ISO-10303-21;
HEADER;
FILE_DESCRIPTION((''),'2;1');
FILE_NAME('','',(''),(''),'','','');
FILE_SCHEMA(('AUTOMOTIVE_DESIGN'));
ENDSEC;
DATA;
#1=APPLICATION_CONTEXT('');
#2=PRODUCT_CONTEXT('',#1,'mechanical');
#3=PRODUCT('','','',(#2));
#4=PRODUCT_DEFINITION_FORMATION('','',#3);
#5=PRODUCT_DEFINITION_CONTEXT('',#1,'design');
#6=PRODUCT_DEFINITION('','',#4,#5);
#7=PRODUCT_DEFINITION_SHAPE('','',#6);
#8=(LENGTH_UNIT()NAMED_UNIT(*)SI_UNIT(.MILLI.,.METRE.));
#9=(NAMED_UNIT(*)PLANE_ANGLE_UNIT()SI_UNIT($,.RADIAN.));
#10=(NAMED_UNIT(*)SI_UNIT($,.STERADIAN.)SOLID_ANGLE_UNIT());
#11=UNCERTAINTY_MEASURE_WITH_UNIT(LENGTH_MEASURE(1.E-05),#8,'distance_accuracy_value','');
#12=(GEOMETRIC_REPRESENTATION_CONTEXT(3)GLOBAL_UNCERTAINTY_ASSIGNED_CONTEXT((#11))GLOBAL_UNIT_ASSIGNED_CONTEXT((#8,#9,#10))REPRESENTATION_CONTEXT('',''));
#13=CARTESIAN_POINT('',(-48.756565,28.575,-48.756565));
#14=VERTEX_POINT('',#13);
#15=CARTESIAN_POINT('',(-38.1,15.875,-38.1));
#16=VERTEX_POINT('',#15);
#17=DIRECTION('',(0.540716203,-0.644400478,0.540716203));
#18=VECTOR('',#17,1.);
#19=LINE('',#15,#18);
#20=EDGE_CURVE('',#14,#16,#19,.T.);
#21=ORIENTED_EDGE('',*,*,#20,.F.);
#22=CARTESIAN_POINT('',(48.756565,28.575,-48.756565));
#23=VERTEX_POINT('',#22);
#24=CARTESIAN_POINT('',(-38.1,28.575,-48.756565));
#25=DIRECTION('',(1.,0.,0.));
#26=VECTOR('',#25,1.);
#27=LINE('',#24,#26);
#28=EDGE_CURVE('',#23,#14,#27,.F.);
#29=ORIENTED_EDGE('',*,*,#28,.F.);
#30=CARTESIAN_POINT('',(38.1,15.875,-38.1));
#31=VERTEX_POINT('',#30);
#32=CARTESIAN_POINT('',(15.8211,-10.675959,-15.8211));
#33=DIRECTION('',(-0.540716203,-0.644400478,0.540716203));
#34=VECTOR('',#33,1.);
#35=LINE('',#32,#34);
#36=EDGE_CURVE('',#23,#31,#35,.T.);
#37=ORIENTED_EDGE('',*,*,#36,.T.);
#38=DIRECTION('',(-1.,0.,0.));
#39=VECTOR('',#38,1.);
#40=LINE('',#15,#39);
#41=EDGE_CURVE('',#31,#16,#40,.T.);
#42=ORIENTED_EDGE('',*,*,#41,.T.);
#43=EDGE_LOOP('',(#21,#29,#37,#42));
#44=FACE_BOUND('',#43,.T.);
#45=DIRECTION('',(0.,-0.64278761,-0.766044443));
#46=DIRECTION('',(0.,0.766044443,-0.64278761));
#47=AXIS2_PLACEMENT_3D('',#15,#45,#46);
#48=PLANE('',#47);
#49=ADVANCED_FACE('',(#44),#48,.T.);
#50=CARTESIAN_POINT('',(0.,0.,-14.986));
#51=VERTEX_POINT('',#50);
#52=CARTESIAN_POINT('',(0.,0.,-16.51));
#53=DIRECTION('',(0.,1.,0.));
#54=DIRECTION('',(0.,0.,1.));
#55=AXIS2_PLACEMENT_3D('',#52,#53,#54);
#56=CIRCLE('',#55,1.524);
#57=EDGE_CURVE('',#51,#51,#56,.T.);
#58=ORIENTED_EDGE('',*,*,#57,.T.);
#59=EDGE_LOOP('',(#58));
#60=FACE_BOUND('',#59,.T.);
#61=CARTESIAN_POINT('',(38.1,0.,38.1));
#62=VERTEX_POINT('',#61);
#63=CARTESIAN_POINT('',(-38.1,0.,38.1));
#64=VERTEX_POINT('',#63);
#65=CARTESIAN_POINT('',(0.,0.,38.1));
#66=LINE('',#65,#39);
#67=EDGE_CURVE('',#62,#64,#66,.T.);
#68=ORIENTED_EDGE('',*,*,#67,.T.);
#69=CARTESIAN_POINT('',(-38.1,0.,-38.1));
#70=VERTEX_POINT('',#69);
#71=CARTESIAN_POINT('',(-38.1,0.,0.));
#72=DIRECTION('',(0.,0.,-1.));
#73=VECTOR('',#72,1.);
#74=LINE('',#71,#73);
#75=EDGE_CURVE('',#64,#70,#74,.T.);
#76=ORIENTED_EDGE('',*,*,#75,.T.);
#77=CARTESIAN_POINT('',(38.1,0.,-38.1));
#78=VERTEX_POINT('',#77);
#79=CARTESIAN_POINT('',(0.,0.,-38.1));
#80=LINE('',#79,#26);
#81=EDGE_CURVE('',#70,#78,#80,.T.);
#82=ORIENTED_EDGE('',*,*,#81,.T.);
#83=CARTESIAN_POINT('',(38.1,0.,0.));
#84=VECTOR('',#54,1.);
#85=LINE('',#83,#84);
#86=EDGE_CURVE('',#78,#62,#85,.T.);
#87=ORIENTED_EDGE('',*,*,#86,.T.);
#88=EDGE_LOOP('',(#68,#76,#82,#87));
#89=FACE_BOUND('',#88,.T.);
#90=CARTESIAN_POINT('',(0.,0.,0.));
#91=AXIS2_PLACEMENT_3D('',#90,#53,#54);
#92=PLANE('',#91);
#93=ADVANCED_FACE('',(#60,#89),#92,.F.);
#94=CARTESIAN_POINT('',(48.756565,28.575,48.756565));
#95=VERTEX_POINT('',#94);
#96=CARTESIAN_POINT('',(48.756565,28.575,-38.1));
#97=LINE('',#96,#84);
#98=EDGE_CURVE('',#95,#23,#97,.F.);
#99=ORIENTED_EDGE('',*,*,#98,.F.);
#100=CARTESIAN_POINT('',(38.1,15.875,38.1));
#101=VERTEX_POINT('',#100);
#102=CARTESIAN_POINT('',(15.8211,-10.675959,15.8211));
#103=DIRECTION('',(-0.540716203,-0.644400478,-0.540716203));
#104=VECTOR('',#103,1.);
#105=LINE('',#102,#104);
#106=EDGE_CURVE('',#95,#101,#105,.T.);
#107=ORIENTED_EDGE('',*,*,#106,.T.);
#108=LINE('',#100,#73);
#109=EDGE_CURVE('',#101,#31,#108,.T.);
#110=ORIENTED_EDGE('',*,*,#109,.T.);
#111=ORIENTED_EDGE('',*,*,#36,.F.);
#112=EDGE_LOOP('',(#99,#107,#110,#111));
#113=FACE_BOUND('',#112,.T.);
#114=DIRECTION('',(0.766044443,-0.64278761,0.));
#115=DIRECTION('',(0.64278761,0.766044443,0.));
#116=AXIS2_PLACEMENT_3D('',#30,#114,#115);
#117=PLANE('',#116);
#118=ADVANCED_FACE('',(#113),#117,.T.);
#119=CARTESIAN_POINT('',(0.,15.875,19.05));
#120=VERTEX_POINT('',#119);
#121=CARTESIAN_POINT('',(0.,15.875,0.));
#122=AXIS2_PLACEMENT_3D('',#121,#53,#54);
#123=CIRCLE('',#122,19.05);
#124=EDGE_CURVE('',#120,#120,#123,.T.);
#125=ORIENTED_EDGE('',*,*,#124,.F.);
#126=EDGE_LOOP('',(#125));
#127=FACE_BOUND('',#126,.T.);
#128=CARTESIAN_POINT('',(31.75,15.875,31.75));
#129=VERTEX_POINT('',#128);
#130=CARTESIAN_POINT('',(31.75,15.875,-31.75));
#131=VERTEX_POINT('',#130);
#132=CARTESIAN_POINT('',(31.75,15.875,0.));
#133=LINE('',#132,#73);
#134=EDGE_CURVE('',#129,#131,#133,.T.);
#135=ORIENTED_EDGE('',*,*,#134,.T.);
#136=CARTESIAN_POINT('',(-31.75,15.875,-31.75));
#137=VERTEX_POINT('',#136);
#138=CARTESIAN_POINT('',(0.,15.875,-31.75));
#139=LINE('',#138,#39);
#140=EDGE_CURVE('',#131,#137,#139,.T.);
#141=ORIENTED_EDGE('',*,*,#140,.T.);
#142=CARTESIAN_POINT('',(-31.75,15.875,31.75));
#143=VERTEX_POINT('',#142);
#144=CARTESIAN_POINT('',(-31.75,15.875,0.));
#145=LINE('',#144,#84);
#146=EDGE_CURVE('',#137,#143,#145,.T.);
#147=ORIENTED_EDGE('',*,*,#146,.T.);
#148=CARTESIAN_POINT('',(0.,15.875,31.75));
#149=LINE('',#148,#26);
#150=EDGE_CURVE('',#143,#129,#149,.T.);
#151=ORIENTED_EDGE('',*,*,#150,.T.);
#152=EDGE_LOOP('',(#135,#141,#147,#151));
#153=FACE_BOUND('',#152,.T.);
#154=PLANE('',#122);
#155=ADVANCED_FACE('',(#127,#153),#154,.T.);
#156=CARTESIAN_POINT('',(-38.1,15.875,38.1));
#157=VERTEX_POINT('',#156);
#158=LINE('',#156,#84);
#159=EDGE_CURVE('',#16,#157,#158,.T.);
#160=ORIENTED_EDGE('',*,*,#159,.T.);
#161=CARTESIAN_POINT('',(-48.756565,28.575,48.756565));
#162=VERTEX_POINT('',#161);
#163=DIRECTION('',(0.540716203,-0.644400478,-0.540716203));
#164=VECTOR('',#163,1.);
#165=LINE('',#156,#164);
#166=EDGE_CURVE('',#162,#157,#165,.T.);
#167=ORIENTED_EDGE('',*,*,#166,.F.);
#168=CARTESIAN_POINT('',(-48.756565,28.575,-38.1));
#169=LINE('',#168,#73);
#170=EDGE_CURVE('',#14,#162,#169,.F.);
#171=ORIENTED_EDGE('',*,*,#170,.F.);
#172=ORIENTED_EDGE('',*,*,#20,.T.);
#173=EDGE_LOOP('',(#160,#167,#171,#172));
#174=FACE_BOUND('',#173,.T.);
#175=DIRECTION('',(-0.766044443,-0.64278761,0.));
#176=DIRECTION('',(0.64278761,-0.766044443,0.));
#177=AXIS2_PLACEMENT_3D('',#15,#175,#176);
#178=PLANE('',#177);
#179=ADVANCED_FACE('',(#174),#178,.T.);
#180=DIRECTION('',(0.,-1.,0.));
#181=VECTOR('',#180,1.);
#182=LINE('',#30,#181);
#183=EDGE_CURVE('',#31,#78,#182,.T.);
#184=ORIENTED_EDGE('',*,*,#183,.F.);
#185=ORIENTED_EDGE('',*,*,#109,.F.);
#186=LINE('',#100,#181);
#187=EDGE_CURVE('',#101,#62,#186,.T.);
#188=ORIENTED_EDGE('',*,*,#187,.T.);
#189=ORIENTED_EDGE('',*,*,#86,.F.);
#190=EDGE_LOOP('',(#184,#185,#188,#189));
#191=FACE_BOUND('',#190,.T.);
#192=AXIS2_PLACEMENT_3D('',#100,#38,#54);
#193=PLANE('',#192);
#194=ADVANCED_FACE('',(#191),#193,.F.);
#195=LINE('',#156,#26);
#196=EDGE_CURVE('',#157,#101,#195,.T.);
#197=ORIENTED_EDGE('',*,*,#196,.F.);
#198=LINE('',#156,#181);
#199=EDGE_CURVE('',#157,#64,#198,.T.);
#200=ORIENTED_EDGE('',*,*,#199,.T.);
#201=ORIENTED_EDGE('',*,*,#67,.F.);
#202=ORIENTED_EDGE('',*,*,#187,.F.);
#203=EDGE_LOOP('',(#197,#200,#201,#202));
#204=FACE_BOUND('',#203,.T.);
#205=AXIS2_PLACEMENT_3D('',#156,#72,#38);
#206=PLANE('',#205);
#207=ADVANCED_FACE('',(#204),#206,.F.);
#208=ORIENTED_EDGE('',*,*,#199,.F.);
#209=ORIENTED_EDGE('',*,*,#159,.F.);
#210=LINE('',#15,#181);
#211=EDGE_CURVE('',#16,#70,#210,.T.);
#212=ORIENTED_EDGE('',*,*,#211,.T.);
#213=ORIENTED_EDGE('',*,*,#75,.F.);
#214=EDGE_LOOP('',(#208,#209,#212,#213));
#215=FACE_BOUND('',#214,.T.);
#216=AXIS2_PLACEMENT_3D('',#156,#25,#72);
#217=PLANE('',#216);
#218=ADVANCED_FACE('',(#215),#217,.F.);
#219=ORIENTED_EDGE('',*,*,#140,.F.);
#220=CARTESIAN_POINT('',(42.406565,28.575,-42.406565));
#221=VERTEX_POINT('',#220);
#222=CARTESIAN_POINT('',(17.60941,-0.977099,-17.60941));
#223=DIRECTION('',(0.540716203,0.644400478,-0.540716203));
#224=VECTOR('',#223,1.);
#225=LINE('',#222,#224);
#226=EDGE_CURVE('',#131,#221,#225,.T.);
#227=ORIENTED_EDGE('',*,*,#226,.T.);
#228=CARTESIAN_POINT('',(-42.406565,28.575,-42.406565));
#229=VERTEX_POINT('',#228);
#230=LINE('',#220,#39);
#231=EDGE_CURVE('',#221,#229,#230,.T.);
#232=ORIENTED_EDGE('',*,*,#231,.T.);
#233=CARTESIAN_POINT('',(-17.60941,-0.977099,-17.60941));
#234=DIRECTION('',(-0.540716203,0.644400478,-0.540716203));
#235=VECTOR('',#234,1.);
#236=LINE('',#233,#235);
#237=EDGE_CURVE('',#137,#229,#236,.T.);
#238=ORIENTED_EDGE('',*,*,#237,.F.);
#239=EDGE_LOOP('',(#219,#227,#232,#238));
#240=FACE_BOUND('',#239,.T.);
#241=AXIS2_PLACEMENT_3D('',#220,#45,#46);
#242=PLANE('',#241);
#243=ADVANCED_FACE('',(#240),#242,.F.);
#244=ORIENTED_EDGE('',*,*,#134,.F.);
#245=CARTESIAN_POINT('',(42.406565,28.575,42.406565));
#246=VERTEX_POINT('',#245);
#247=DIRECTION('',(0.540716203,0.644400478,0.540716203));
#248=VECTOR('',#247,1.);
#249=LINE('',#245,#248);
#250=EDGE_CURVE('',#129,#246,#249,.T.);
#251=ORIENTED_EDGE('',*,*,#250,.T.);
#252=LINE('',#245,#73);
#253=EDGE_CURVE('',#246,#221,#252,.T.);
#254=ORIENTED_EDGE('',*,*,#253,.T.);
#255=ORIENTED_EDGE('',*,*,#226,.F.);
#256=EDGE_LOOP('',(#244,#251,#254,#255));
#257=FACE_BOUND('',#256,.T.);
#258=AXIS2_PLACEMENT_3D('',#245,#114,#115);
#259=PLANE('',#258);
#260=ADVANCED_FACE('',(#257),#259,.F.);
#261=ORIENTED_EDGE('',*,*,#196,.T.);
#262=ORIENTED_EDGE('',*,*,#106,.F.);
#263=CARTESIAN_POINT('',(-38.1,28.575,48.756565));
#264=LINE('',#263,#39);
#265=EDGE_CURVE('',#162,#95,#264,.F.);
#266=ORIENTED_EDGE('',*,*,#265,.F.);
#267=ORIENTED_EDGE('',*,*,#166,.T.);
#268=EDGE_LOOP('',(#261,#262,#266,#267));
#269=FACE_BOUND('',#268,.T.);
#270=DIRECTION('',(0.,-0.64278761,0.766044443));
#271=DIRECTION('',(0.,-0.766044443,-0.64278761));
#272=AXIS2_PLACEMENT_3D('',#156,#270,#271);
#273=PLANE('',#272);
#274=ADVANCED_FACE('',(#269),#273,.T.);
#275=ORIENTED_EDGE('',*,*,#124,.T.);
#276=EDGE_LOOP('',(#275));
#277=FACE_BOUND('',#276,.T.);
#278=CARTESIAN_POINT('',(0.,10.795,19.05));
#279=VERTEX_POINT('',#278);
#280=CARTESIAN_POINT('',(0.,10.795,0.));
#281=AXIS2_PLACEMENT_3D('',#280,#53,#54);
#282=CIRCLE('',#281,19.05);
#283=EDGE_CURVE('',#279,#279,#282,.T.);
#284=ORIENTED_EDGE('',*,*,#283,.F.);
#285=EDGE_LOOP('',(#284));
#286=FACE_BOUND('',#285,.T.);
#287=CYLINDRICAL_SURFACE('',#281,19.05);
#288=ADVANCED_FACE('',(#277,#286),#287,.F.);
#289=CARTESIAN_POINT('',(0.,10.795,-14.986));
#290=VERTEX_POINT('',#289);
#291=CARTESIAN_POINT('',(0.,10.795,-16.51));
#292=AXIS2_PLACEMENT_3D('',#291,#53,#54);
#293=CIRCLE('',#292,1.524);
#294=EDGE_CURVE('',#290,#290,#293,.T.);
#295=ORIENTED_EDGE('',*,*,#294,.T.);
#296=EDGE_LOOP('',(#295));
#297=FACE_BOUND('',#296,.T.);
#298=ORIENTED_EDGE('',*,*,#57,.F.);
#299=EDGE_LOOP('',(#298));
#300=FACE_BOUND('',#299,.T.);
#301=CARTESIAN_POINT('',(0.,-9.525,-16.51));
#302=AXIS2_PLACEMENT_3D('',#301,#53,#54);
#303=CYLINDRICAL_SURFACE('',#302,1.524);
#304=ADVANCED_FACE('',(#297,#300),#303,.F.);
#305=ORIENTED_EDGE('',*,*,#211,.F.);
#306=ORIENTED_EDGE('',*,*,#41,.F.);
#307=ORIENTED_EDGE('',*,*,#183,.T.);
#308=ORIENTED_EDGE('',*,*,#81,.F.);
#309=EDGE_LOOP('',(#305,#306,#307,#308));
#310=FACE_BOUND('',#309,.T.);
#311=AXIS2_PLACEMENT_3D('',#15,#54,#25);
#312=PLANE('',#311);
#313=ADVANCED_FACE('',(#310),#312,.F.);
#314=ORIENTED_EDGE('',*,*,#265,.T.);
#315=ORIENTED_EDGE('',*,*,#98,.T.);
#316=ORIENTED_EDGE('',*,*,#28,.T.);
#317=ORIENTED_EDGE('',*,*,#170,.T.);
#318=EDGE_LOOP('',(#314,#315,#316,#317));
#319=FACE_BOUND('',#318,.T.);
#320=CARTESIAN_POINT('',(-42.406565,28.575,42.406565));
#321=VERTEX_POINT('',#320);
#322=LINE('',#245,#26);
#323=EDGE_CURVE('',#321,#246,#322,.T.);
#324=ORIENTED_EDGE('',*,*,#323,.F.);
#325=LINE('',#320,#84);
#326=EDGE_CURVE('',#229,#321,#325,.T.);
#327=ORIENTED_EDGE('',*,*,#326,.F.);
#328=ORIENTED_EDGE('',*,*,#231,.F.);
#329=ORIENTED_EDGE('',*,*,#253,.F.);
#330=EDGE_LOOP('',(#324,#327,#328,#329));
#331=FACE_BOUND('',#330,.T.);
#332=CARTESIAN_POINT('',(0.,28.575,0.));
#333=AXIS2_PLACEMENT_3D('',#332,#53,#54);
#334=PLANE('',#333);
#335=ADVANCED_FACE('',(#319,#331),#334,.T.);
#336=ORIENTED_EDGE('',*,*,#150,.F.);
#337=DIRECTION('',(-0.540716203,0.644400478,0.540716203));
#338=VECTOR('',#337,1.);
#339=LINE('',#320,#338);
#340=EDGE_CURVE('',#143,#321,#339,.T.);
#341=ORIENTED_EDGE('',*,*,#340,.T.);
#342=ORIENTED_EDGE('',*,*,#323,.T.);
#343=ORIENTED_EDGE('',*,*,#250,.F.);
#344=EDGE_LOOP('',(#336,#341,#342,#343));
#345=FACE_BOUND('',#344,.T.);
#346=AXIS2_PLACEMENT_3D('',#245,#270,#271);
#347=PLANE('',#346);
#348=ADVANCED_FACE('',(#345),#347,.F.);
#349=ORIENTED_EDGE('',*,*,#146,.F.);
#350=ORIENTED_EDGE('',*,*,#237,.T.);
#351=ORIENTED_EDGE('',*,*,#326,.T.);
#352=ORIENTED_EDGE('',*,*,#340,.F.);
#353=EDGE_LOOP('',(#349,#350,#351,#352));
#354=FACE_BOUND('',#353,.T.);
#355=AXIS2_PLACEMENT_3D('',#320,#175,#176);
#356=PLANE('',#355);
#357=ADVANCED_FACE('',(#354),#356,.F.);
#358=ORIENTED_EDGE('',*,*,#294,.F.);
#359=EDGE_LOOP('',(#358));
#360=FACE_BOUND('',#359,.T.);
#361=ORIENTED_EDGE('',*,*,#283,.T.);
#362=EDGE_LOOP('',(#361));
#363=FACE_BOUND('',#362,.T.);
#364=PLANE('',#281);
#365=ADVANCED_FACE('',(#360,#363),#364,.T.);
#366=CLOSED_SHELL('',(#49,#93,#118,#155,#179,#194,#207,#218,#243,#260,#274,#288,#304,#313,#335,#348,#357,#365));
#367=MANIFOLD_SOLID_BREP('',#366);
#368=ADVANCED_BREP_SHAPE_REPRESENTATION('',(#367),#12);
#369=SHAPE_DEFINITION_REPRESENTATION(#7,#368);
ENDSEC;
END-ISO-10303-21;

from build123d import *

# Parameters (mm, degrees)
SKETCH1_W               = 76.2
SKETCH1_H               = 76.2
BOSS_EXTRUDE1_DEPTH     = 15.875
SKETCH2_W               = 76.2
SKETCH2_H               = 76.2
BOSS_EXTRUDE2_DEPTH     = 12.7
BOSS_EXTRUDE2_DRAFT     = -40
MIRROR1_COPY_1_SKETCH_W = 76.2
MIRROR1_COPY_1_SKETCH_H = 76.2
MIRROR1_COPY_1_DEPTH    = 12.7
MIRROR1_COPY_1_DRAFT    = -40
SKETCH4_W               = 84.813130632
SKETCH4_H               = 84.813130632
CUT_EXTRUDE2_DEPTH      = 12.7
CUT_EXTRUDE2_DRAFT      = -40
SKETCH5_R               = 19.05
CUT_EXTRUDE3_DEPTH      = 5.08
SKETCH6_R               = 1.524
CUT_EXTRUDE4_DEPTH      = 20.32
CUT_EXTRUDE5_REACH      = 76.639
SKETCH8_W               = 110.353971767
SKETCH8_H               = 106.914185114


with BuildPart() as part:
    # Sketch1 → Boss-Extrude1 (new, symmetric)
    with BuildSketch(Plane(origin=(0, 0, 0), x_dir=(1, 0, 0), z_dir=(0, 1, 0))):
        Rectangle(SKETCH1_W, SKETCH1_H)
    extrude(amount=BOSS_EXTRUDE1_DEPTH, both=True)


with BuildPart() as boss_extrude2_tool:
    # Sketch2 → Boss-Extrude2 (with draft: the straight prism first)
    with BuildSketch(Plane(origin=(0, 15.875, 0), x_dir=(1, 0, 0), z_dir=(0, 1, 0))):
        Rectangle(SKETCH2_W, SKETCH2_H)
    extrude(amount=BOSS_EXTRUDE2_DEPTH)
    # Boss-Extrude2: the draft: its side faces are tilted about the plane it starts from
    boss_extrude2_sides = [boss_extrude2_tool.faces().sort_by_distance(p)[0] for p in [
        (-38.1, 22.225, 0),
        (0, 22.225, 38.1),
        (38.1, 22.225, 0),
        (0, 22.225, -38.1),
    ]]
    draft(boss_extrude2_sides, Plane(origin=(0, 15.875, 0), x_dir=(1, 0, 0), z_dir=(0, 1, 0)), BOSS_EXTRUDE2_DRAFT)


with BuildPart() as part_1:
    add(part.part)

    # Boss-Extrude2: add boss_extrude2_tool
    add(boss_extrude2_tool.part)


with BuildPart() as mirror1_copy_1_tool:
    # Mirror1 copy 1 sketch → Mirror1 copy 1 (with draft: the straight prism first)
    with BuildSketch(Plane.XZ.offset(15.875)):
        Rectangle(MIRROR1_COPY_1_SKETCH_W, MIRROR1_COPY_1_SKETCH_H)
    extrude(amount=MIRROR1_COPY_1_DEPTH)
    # Mirror1 copy 1: the draft: its side faces are tilted about the plane it starts from
    mirror1_copy_1_sides = [mirror1_copy_1_tool.faces().sort_by_distance(p)[0] for p in [
        (-38.1, -22.225, 0),
        (0, -22.225, 38.1),
        (38.1, -22.225, 0),
        (0, -22.225, -38.1),
    ]]
    draft(mirror1_copy_1_sides, Plane.XZ.offset(15.875), MIRROR1_COPY_1_DRAFT)


with BuildPart() as part_2:
    add(part_1.part)

    # Mirror1 copy 1: add mirror1_copy_1_tool
    add(mirror1_copy_1_tool.part)


with BuildPart() as cut_extrude2_tool:
    # Sketch4 → Cut-Extrude2 (with draft: the straight prism first)
    with BuildSketch(Plane(origin=(0, 28.575, 0), x_dir=(1, 0, 0), z_dir=(0, 1, 0))):
        Rectangle(SKETCH4_W, SKETCH4_H)
    extrude(amount=-CUT_EXTRUDE2_DEPTH)
    # Cut-Extrude2: the draft: its side faces are tilted about the plane it starts from
    cut_extrude2_sides = [cut_extrude2_tool.faces().sort_by_distance(p)[0] for p in [
        (42.406565316, 22.225, 0),
        (0, 22.225, -42.406565316),
        (-42.406565316, 22.225, 0),
        (0, 22.225, 42.406565316),
    ]]
    draft(cut_extrude2_sides, Plane(origin=(0, 28.575, 0), x_dir=(1, 0, 0), z_dir=(0, 1, 0)), CUT_EXTRUDE2_DRAFT)


with BuildPart() as part_3:
    add(part_2.part)

    # Cut-Extrude2: cut by cut_extrude2_tool
    add(cut_extrude2_tool.part, mode=Mode.SUBTRACT)

    # Sketch5 → Cut-Extrude3 (cut)
    with BuildSketch(Plane(origin=(0, 15.875, 0), x_dir=(1, 0, 0), z_dir=(0, 1, 0))):
        with Locations(Location((0, 0, 0), (0, 0, 270))):
            Circle(SKETCH5_R)
    extrude(amount=-CUT_EXTRUDE3_DEPTH, mode=Mode.SUBTRACT)

    # Sketch6 → Cut-Extrude4 (cut)
    with BuildSketch(Plane(origin=(0, 10.795, 0), x_dir=(1, 0, 0), z_dir=(0, 1, 0))):
        with Locations(Location((0, 16.51, 0), (0, 0, 270))):
            Circle(SKETCH6_R)
    extrude(amount=-CUT_EXTRUDE4_DEPTH, mode=Mode.SUBTRACT)

    # Sketch8 → Cut-Extrude5 (cut, up to next)
    with BuildSketch(Plane(origin=(0, 0, 0), x_dir=(1, 0, 0), z_dir=(0, 1, 0)), mode=Mode.PRIVATE) as cut_extrude5_sk1:
        with Locations((3.158987741, -3.05368815)):
            Rectangle(SKETCH8_W, SKETCH8_H)
    cut_extrude5_tool1 = extrude(cut_extrude5_sk1.sketch, amount=-CUT_EXTRUDE5_REACH, mode=Mode.PRIVATE) & part_3.part
    add(cut_extrude5_tool1.solids().sort_by_distance((3.158988, 0, 3.053688))[0], mode=Mode.SUBTRACT)


solid = part_3.part
